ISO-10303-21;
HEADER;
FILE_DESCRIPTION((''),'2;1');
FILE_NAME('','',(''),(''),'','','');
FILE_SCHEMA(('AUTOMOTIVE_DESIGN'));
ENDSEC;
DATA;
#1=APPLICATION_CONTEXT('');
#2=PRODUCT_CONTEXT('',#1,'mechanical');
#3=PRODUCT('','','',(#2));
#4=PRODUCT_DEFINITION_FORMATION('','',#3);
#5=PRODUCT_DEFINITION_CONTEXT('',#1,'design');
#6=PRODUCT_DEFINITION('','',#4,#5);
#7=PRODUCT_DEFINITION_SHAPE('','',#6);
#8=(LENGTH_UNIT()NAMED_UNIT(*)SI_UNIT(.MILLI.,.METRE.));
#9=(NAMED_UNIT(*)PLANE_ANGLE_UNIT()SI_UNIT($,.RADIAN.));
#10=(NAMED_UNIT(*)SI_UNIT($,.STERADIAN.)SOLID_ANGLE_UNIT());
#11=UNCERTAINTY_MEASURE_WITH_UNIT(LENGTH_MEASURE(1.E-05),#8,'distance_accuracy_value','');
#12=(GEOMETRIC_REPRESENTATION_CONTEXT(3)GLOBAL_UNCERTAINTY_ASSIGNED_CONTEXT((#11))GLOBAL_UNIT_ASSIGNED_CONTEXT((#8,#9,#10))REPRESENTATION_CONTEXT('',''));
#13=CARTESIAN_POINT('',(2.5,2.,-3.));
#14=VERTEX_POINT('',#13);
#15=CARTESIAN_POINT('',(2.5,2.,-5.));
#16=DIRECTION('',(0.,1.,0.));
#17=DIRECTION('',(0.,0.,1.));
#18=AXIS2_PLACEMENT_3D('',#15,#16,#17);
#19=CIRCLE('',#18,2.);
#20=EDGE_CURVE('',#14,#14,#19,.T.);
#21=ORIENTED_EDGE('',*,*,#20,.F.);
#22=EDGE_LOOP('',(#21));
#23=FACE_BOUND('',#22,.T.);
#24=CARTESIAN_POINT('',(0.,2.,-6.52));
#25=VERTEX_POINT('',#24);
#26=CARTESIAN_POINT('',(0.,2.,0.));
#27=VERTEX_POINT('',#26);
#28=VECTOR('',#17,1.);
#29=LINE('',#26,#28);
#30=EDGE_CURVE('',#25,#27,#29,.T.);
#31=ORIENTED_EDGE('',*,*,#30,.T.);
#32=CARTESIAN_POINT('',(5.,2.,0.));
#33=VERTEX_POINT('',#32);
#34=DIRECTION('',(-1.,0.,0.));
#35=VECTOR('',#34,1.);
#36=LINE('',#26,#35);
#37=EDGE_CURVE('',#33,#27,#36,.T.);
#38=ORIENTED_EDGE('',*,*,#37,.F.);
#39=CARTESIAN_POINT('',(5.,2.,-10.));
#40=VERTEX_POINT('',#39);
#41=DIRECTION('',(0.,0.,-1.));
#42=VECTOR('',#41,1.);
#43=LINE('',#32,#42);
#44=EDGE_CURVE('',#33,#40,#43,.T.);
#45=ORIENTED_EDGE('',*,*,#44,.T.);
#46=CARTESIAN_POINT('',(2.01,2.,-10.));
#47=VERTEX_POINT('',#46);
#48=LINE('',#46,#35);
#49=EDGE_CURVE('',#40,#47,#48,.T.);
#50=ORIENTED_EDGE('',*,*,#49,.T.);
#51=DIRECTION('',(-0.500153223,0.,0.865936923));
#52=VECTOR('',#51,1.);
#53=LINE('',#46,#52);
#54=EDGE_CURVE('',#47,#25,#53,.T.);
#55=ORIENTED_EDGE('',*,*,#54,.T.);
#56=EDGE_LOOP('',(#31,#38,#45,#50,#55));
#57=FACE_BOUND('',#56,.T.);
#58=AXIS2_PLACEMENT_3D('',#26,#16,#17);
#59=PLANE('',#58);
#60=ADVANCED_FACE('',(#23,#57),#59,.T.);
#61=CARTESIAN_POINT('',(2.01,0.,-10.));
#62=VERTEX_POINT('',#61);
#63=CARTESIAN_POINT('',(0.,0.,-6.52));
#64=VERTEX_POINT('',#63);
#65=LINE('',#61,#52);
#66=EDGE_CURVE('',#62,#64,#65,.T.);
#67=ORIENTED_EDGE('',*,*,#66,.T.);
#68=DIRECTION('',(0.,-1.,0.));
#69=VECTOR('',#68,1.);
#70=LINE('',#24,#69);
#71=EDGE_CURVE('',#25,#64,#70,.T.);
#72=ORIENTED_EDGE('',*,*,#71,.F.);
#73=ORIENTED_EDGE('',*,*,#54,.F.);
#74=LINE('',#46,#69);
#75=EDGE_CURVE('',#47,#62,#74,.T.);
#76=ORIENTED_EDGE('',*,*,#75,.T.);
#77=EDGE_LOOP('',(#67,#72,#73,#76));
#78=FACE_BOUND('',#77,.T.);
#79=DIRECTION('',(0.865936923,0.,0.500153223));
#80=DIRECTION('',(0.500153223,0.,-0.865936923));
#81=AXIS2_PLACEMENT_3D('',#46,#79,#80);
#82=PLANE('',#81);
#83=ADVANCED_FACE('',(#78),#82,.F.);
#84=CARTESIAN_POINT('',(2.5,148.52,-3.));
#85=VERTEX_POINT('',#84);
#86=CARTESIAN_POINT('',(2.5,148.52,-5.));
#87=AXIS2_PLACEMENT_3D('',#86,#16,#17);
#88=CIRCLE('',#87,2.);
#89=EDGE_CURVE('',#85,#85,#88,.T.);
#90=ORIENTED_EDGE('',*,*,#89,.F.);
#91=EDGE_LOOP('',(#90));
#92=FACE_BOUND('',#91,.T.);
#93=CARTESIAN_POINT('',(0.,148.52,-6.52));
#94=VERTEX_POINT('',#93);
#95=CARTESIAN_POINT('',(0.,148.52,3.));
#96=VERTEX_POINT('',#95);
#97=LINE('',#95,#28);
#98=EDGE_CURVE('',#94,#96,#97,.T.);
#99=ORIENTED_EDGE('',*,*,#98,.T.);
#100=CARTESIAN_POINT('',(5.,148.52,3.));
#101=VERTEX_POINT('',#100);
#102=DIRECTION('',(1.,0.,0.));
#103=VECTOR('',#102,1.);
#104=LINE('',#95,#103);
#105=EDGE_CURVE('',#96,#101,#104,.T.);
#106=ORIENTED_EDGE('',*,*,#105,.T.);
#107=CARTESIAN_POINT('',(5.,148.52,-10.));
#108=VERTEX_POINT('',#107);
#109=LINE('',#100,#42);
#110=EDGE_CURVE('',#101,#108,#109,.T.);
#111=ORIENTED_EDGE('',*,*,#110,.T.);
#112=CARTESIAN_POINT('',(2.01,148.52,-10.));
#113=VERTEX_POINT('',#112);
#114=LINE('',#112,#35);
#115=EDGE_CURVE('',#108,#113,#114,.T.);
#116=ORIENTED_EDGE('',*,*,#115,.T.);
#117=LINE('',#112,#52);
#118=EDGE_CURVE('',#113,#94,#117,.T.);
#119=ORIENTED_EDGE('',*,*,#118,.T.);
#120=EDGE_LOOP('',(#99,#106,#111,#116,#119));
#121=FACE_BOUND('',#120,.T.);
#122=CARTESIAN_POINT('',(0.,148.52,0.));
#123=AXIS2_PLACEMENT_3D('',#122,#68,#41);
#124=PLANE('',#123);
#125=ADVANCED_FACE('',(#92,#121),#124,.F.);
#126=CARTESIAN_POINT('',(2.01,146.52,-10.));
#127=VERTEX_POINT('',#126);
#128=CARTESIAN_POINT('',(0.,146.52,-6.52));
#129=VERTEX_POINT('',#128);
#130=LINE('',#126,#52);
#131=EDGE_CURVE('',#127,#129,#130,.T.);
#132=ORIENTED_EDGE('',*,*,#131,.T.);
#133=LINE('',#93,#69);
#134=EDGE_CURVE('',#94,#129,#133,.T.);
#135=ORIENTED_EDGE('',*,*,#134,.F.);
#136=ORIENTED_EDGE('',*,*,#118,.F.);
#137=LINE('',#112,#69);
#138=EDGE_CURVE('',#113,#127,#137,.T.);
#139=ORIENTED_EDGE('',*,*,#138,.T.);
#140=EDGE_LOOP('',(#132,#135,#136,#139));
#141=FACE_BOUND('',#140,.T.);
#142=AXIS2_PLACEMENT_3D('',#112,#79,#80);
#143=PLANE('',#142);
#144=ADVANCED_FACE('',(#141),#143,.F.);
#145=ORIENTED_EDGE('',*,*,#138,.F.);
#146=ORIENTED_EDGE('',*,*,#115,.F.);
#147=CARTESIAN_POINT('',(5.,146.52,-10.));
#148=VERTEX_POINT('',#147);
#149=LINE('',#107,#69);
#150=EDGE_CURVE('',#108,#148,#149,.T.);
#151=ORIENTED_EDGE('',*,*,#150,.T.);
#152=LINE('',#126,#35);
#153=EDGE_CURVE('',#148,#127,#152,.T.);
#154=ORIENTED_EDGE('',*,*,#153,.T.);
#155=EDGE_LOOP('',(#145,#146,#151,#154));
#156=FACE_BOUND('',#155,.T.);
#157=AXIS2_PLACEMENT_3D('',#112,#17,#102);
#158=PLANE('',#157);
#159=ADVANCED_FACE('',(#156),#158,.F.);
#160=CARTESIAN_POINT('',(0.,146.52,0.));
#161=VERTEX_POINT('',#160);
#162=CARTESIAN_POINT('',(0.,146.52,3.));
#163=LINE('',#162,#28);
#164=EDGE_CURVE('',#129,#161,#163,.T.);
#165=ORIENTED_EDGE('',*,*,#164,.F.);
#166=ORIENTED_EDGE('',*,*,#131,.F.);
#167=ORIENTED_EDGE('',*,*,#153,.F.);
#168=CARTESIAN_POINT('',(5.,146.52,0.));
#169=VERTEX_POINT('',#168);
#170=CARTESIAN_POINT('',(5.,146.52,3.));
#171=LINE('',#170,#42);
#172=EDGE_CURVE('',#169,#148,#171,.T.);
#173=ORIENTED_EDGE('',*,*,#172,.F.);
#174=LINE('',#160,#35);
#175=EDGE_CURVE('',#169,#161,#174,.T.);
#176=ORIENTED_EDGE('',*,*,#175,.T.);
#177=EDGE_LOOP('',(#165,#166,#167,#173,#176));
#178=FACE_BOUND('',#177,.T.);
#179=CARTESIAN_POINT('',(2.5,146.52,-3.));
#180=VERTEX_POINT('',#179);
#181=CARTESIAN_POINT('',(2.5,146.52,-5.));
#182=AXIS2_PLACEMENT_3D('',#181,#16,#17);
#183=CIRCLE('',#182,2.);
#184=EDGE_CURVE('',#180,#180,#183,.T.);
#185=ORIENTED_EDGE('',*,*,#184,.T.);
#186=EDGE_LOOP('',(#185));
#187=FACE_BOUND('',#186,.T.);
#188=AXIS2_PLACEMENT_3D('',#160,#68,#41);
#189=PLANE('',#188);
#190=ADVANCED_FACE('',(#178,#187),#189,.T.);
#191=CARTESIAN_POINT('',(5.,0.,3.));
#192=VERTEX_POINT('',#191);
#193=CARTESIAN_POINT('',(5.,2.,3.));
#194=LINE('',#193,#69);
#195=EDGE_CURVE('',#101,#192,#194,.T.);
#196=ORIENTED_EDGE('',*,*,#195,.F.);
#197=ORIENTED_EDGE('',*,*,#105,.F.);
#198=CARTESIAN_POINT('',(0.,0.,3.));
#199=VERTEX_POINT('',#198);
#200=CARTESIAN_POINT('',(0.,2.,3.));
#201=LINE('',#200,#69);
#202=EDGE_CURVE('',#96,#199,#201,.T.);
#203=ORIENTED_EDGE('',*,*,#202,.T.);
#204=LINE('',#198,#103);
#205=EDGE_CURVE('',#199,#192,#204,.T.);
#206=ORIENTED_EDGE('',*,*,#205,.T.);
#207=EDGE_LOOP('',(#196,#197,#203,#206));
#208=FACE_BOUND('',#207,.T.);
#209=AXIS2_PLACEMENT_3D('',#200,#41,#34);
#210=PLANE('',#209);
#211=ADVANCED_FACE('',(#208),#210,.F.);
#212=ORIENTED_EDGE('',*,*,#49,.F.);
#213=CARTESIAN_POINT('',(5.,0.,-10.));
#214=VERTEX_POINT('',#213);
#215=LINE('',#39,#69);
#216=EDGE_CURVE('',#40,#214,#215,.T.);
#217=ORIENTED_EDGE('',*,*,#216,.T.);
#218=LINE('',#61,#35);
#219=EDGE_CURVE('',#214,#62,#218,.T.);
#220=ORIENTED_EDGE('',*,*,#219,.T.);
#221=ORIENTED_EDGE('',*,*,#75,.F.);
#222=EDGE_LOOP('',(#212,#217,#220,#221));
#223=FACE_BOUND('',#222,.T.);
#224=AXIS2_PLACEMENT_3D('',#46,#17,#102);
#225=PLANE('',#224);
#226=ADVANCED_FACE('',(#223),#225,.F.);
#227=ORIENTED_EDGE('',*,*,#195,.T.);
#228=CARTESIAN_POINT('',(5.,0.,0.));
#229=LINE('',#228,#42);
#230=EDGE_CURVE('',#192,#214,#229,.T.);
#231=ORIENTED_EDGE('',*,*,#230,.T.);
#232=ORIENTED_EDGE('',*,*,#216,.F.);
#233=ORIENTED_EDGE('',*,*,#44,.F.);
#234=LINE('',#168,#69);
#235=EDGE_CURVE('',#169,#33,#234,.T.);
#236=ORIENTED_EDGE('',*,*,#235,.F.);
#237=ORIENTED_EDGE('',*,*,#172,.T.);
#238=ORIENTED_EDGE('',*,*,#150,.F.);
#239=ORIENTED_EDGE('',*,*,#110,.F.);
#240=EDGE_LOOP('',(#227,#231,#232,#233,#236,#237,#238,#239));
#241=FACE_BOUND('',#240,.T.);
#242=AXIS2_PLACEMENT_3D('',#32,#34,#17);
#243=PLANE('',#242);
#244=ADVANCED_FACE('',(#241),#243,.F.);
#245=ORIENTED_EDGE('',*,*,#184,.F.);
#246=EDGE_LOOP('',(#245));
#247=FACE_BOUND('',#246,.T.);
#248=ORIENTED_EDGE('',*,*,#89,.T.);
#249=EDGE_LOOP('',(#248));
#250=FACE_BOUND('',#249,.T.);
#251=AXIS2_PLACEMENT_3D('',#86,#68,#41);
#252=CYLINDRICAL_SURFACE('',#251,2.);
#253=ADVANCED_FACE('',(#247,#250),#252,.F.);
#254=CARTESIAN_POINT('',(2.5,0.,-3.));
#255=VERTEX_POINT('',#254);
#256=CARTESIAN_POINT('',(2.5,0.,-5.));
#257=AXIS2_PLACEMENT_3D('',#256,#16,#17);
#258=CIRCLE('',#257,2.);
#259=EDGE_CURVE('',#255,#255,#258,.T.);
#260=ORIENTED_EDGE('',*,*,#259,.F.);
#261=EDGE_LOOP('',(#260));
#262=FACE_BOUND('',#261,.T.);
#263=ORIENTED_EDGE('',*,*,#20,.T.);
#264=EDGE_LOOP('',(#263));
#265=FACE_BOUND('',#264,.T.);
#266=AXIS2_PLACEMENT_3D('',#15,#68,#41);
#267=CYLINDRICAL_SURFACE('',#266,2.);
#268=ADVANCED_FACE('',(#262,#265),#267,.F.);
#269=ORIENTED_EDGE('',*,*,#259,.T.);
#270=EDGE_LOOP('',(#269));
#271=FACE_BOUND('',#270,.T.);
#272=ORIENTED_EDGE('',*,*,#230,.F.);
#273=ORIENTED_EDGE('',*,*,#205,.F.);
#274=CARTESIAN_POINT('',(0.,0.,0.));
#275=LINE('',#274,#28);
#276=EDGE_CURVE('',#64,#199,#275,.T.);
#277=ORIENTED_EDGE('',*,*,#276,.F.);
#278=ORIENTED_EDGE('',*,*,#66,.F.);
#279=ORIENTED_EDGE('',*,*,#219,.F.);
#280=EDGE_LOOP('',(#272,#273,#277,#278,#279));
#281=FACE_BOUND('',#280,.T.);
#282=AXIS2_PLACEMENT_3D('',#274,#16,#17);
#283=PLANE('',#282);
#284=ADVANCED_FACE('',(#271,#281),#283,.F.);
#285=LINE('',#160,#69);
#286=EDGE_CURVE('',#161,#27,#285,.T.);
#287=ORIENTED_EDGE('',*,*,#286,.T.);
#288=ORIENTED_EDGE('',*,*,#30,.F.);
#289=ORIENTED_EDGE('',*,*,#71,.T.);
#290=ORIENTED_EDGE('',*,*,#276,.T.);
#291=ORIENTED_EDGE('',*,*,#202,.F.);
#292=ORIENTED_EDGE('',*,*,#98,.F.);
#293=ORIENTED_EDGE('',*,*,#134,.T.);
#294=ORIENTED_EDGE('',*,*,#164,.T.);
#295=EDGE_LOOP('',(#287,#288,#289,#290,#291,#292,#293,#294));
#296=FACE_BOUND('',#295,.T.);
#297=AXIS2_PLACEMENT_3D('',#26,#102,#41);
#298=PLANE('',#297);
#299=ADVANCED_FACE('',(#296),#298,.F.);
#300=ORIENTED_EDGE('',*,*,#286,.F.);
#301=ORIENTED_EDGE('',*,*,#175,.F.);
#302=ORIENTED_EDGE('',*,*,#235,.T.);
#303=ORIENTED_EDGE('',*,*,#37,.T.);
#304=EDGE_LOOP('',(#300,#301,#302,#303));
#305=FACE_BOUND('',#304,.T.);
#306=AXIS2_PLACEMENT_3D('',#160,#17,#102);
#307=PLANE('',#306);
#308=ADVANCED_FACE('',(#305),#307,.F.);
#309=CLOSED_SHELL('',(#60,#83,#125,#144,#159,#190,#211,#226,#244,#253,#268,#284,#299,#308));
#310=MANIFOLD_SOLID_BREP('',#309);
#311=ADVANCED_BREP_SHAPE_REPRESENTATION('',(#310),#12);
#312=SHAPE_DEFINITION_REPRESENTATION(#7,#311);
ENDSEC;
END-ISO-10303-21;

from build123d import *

# Parameters (mm, degrees)
ESQUISSE1_R        = 2
BOSS_EXTRU_1_DEPTH = 2
ESQUISSE2_W        = 5
ESQUISSE2_H        = 3
BOSS_EXTRU_2_DEPTH = 144.52
ESQUISSE3_R        = 2
BOSS_EXTRU_3_DEPTH = 2


with BuildPart() as part:
    # Esquisse1 → Boss.-Extru.1 (new body)
    with BuildSketch(Plane(origin=(0, 0, 0), x_dir=(1, 0, 0), z_dir=(0, 1, 0))):
        Polygon((2.01, 10), (0, 6.52), (0, 0), (0, -3), (5, -3), (5, 0), (5, 10), align=None)
        with Locations(Location((2.5, 5, 0), (0, 0, 270))):
            Circle(ESQUISSE1_R, mode=Mode.SUBTRACT)
    extrude(amount=BOSS_EXTRU_1_DEPTH)

    # Esquisse2 → Boss.-Extru.2 (add)
    with BuildSketch(Plane(origin=(0, 2, 0), x_dir=(1, 0, 0), z_dir=(0, 1, 0))):
        with Locations((2.5, -1.5)):
            Rectangle(ESQUISSE2_W, ESQUISSE2_H)
    extrude(amount=BOSS_EXTRU_2_DEPTH)

    # Esquisse3 → Boss.-Extru.3 (add)
    with BuildSketch(Plane(origin=(0, 146.52, 0), x_dir=(1, 0, 0), z_dir=(0, 1, 0))):
        Polygon((2.01, 10), (0, 6.52), (0, -3), (5, -3), (5, 10), align=None)
        with Locations(Location((2.5, 5, 0), (0, 0, 270))):
            Circle(ESQUISSE3_R, mode=Mode.SUBTRACT)
    extrude(amount=BOSS_EXTRU_3_DEPTH)


solid = part.part
